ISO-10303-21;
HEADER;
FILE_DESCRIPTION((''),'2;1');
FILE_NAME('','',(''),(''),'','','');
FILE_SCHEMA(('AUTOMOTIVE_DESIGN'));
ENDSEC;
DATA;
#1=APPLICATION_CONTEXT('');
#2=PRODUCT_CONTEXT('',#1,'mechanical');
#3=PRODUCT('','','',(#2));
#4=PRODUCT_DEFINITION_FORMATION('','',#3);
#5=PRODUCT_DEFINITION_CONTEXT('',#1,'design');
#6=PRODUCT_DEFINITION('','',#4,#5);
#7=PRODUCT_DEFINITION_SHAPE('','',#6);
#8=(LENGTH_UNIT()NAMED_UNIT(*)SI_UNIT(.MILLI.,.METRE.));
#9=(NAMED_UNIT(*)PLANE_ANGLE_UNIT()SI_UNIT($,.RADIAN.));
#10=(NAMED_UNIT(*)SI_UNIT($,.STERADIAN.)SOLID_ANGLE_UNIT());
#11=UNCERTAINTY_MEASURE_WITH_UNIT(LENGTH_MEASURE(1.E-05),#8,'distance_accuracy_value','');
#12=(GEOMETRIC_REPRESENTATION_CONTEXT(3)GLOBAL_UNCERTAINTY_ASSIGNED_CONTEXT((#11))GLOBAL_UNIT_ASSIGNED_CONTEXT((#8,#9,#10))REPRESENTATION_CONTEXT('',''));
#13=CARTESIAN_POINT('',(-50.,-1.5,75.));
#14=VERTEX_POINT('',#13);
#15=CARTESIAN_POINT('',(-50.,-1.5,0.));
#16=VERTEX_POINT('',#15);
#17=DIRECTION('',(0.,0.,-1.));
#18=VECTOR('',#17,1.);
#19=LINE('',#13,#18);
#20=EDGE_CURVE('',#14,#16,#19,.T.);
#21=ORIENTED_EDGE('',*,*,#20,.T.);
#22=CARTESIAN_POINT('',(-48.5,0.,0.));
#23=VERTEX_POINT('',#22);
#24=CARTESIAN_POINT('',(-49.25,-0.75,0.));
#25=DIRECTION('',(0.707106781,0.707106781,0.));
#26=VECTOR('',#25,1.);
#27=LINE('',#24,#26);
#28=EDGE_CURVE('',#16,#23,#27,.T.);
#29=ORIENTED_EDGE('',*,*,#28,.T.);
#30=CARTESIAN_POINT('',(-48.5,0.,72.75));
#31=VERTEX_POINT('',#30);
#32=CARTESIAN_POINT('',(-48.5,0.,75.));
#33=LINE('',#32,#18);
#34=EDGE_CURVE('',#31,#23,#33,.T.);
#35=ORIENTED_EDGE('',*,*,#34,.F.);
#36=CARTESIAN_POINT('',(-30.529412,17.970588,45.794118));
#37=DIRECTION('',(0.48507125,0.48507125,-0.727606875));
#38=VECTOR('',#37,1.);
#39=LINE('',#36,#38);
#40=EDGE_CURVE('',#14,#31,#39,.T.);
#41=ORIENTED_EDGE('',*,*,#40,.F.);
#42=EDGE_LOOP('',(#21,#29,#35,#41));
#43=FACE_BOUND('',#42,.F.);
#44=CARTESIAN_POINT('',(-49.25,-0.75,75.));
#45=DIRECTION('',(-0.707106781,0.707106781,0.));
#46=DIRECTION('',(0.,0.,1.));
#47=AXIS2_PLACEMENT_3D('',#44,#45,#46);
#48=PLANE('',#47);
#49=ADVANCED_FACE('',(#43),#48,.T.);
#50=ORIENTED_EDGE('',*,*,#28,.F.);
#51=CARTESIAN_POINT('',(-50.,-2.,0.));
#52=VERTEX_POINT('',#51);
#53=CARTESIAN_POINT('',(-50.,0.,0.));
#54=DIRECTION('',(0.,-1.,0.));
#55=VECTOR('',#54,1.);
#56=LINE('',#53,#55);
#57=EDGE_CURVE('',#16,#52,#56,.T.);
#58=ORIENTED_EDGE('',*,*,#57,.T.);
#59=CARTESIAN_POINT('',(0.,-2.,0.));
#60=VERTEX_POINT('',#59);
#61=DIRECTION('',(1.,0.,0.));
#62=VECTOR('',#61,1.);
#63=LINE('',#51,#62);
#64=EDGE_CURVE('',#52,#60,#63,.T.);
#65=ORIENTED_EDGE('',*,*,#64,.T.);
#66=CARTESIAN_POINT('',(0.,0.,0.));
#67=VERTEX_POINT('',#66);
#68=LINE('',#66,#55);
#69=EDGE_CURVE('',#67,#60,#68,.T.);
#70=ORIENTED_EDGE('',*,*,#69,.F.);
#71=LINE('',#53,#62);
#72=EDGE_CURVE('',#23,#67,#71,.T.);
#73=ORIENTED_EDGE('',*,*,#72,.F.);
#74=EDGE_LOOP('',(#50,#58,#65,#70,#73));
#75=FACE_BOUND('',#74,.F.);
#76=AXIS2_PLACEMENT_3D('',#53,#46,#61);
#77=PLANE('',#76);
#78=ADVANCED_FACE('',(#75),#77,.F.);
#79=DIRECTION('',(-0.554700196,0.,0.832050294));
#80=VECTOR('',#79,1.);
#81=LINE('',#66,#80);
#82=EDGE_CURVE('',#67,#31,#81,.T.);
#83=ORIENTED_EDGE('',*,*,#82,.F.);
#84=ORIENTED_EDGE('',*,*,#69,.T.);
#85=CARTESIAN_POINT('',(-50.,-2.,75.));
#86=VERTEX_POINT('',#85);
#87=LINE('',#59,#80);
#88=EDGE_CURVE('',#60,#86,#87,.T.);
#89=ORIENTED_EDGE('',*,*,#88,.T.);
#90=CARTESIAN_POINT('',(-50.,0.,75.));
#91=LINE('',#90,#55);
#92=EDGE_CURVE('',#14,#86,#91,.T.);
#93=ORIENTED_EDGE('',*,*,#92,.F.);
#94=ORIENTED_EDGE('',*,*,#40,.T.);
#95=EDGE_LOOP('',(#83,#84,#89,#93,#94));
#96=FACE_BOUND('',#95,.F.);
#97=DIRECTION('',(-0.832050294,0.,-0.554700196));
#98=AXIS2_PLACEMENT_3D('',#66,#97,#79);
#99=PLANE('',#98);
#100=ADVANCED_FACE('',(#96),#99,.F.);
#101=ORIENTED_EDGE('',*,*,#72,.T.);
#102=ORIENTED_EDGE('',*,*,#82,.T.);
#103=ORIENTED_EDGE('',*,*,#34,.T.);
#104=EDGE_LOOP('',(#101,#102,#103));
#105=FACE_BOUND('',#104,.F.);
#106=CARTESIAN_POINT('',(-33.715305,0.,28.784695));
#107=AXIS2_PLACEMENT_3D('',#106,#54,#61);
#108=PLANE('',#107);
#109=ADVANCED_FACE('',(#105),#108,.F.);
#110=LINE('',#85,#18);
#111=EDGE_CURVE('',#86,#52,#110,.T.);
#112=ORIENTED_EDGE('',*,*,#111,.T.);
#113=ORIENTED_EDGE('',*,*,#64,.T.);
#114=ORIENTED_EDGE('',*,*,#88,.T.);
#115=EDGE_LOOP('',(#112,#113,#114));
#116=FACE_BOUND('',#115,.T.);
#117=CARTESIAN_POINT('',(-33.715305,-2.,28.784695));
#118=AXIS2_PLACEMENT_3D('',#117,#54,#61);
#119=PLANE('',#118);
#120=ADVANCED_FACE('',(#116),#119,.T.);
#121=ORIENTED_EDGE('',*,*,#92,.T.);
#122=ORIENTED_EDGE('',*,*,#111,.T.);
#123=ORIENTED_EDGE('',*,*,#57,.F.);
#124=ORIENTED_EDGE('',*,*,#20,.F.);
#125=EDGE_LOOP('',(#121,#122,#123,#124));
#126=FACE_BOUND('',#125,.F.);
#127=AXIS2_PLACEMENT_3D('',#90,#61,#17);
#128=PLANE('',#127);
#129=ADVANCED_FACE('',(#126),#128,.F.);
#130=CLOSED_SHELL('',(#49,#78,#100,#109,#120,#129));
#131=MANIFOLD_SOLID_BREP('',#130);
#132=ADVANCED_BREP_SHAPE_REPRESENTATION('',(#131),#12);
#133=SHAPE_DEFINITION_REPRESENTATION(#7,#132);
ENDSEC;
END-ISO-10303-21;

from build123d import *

# Parameters (mm, degrees)
F1_DEPTH = 2
F2_SIZE  = 1.5


with BuildPart() as f1:
    # F0 (on Front) → F1 (new body)
    with BuildSketch(Plane.XZ):
        Polygon((-50, 75), (-50, 0), (0, 0), align=None)
    extrude(amount=F1_DEPTH)

    # F2
    f2_edges = [f1.edges().sort_by_distance(p)[0] for p in [
        (-50, 0, 37.5),
    ]]
    chamfer(f2_edges, length=F2_SIZE)


solid = f1.part
